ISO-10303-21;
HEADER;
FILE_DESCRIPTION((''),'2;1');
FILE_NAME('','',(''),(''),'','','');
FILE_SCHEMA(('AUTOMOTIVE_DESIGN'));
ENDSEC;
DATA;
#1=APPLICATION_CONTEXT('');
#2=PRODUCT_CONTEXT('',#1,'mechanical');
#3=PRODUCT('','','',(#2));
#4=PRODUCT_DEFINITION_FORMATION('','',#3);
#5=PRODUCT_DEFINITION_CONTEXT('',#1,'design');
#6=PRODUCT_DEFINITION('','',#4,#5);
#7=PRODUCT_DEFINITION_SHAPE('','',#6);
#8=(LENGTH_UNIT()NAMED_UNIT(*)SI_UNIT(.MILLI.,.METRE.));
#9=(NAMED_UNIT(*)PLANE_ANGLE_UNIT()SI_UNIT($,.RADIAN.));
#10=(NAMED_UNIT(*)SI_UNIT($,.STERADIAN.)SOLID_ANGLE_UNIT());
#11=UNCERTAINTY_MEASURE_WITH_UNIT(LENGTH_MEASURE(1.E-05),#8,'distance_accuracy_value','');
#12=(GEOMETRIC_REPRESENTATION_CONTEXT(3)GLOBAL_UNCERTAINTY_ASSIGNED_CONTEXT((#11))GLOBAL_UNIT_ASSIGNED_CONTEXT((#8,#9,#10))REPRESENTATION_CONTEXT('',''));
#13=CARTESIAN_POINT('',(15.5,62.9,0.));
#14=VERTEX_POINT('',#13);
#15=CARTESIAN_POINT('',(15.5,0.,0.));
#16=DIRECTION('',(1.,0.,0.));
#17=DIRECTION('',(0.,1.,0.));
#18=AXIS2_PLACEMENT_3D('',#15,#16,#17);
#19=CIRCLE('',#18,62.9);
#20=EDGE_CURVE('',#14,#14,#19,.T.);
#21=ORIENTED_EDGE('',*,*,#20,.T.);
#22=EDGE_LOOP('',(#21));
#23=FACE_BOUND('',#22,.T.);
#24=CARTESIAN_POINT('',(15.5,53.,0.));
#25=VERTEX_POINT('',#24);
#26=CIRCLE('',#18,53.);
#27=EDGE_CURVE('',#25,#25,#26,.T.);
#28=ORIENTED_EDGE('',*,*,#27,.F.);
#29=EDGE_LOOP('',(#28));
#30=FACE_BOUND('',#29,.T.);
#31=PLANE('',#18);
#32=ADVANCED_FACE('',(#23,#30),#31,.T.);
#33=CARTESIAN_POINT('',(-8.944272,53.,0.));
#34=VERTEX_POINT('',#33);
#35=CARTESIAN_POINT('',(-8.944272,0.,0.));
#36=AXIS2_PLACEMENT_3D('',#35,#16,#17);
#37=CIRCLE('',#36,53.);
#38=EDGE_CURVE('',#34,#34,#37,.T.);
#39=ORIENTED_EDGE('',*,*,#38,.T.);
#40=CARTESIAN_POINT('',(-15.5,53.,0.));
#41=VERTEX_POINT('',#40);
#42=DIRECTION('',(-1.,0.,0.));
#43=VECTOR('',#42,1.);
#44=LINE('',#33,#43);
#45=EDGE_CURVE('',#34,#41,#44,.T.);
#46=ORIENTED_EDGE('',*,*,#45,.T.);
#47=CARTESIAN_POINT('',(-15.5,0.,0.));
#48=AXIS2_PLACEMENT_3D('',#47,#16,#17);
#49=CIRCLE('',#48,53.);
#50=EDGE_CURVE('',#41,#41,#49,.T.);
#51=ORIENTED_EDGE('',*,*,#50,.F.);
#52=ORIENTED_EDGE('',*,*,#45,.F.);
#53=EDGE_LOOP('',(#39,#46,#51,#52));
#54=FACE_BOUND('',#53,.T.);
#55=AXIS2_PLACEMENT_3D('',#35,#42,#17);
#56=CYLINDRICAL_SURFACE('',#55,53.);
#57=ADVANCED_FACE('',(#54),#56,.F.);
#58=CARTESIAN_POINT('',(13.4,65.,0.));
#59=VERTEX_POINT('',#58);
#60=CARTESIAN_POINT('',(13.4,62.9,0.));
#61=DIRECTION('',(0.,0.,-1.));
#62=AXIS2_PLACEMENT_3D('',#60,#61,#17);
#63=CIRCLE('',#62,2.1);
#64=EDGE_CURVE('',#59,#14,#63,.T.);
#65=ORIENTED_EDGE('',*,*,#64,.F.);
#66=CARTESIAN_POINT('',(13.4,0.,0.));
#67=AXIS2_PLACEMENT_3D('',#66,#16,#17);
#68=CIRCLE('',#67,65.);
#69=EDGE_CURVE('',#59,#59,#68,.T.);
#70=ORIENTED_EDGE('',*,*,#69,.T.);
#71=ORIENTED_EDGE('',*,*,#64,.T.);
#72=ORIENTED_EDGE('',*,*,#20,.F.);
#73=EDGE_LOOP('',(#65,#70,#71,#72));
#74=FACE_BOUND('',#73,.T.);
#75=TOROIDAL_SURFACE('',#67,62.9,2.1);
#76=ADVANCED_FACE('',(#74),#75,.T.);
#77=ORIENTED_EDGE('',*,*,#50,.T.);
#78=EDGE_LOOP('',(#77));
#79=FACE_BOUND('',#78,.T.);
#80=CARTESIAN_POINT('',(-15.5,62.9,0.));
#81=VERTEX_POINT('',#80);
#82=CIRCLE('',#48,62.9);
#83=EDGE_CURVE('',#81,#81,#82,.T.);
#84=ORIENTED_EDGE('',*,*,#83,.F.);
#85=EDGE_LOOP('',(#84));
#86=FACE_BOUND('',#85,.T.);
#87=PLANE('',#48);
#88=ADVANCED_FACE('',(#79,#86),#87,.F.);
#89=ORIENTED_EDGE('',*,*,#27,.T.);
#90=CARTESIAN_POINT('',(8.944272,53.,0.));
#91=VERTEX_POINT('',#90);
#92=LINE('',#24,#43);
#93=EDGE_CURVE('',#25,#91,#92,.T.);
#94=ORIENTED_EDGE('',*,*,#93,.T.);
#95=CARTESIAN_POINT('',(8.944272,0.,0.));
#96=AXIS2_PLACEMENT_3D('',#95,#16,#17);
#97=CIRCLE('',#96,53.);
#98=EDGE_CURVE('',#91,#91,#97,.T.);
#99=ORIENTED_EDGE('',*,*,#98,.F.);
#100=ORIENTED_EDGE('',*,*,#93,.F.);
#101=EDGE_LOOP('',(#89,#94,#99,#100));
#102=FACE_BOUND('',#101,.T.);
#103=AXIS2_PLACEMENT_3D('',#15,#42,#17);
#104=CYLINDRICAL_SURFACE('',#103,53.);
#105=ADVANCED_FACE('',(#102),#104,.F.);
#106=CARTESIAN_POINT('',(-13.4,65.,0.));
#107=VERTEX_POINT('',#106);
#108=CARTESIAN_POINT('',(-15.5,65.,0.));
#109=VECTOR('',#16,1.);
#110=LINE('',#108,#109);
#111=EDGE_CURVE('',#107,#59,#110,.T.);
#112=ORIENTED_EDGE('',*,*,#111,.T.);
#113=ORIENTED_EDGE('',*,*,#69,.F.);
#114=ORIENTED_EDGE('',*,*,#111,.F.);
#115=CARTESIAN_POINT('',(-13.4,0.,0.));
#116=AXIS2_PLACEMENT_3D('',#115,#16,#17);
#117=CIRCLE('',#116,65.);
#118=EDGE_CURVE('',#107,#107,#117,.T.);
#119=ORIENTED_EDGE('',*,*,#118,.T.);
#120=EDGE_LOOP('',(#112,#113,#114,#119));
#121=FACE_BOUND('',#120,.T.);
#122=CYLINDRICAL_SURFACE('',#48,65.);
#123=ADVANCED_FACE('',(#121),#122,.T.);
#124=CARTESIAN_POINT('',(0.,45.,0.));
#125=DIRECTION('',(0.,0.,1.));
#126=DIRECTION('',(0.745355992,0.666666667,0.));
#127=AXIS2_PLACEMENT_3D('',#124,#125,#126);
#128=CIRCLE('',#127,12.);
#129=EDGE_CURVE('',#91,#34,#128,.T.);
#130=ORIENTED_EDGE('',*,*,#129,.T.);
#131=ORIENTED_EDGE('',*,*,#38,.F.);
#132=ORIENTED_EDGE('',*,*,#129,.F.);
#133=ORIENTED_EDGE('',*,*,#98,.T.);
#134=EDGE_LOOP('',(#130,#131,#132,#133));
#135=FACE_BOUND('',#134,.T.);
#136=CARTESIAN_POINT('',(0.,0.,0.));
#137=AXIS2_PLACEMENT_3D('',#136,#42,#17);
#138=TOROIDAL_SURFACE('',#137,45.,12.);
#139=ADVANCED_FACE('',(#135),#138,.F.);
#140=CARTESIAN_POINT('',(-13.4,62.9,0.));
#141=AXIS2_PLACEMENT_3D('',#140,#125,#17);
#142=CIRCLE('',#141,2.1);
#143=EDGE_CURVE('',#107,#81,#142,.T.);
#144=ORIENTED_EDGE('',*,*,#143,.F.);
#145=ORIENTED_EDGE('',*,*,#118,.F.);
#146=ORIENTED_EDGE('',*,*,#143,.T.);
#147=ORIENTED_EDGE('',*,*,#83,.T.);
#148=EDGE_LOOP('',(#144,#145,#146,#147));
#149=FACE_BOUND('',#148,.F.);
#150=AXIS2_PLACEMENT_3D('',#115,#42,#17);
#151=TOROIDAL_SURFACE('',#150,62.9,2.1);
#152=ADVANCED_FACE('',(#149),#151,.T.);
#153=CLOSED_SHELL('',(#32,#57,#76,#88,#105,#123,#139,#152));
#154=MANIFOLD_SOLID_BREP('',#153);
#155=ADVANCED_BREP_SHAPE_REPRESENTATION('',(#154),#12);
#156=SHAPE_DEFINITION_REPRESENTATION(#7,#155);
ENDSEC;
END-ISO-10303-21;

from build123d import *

# Parameters (mm, degrees)
FILLET1_R = 2.1


with BuildPart() as part:
    # Sketch1 → Revolve1 (revolve)
    with BuildSketch(Plane.XY):
        with BuildLine():
            Line((-15.5, 65), (15.5, 65))
            Line((15.5, 65), (15.5, 53))
            Line((15.5, 53), (8.94427191, 53))
            ThreePointArc((8.94427191, 53), (0, 57), (-8.94427191, 53))
            Line((-8.94427191, 53), (-15.5, 53))
            Line((-15.5, 53), (-15.5, 65))
        make_face()
    revolve(axis=Axis((-33.15505399, 0, 0), (1, 0, 0)))

    # Fillet1
    fillet1_edges = [part.edges().sort_by_distance(p)[0] for p in [
        (15.5, -65, 0),
        (-15.5, -65, 0),
    ]]
    fillet(fillet1_edges, radius=FILLET1_R)


solid = part.part
